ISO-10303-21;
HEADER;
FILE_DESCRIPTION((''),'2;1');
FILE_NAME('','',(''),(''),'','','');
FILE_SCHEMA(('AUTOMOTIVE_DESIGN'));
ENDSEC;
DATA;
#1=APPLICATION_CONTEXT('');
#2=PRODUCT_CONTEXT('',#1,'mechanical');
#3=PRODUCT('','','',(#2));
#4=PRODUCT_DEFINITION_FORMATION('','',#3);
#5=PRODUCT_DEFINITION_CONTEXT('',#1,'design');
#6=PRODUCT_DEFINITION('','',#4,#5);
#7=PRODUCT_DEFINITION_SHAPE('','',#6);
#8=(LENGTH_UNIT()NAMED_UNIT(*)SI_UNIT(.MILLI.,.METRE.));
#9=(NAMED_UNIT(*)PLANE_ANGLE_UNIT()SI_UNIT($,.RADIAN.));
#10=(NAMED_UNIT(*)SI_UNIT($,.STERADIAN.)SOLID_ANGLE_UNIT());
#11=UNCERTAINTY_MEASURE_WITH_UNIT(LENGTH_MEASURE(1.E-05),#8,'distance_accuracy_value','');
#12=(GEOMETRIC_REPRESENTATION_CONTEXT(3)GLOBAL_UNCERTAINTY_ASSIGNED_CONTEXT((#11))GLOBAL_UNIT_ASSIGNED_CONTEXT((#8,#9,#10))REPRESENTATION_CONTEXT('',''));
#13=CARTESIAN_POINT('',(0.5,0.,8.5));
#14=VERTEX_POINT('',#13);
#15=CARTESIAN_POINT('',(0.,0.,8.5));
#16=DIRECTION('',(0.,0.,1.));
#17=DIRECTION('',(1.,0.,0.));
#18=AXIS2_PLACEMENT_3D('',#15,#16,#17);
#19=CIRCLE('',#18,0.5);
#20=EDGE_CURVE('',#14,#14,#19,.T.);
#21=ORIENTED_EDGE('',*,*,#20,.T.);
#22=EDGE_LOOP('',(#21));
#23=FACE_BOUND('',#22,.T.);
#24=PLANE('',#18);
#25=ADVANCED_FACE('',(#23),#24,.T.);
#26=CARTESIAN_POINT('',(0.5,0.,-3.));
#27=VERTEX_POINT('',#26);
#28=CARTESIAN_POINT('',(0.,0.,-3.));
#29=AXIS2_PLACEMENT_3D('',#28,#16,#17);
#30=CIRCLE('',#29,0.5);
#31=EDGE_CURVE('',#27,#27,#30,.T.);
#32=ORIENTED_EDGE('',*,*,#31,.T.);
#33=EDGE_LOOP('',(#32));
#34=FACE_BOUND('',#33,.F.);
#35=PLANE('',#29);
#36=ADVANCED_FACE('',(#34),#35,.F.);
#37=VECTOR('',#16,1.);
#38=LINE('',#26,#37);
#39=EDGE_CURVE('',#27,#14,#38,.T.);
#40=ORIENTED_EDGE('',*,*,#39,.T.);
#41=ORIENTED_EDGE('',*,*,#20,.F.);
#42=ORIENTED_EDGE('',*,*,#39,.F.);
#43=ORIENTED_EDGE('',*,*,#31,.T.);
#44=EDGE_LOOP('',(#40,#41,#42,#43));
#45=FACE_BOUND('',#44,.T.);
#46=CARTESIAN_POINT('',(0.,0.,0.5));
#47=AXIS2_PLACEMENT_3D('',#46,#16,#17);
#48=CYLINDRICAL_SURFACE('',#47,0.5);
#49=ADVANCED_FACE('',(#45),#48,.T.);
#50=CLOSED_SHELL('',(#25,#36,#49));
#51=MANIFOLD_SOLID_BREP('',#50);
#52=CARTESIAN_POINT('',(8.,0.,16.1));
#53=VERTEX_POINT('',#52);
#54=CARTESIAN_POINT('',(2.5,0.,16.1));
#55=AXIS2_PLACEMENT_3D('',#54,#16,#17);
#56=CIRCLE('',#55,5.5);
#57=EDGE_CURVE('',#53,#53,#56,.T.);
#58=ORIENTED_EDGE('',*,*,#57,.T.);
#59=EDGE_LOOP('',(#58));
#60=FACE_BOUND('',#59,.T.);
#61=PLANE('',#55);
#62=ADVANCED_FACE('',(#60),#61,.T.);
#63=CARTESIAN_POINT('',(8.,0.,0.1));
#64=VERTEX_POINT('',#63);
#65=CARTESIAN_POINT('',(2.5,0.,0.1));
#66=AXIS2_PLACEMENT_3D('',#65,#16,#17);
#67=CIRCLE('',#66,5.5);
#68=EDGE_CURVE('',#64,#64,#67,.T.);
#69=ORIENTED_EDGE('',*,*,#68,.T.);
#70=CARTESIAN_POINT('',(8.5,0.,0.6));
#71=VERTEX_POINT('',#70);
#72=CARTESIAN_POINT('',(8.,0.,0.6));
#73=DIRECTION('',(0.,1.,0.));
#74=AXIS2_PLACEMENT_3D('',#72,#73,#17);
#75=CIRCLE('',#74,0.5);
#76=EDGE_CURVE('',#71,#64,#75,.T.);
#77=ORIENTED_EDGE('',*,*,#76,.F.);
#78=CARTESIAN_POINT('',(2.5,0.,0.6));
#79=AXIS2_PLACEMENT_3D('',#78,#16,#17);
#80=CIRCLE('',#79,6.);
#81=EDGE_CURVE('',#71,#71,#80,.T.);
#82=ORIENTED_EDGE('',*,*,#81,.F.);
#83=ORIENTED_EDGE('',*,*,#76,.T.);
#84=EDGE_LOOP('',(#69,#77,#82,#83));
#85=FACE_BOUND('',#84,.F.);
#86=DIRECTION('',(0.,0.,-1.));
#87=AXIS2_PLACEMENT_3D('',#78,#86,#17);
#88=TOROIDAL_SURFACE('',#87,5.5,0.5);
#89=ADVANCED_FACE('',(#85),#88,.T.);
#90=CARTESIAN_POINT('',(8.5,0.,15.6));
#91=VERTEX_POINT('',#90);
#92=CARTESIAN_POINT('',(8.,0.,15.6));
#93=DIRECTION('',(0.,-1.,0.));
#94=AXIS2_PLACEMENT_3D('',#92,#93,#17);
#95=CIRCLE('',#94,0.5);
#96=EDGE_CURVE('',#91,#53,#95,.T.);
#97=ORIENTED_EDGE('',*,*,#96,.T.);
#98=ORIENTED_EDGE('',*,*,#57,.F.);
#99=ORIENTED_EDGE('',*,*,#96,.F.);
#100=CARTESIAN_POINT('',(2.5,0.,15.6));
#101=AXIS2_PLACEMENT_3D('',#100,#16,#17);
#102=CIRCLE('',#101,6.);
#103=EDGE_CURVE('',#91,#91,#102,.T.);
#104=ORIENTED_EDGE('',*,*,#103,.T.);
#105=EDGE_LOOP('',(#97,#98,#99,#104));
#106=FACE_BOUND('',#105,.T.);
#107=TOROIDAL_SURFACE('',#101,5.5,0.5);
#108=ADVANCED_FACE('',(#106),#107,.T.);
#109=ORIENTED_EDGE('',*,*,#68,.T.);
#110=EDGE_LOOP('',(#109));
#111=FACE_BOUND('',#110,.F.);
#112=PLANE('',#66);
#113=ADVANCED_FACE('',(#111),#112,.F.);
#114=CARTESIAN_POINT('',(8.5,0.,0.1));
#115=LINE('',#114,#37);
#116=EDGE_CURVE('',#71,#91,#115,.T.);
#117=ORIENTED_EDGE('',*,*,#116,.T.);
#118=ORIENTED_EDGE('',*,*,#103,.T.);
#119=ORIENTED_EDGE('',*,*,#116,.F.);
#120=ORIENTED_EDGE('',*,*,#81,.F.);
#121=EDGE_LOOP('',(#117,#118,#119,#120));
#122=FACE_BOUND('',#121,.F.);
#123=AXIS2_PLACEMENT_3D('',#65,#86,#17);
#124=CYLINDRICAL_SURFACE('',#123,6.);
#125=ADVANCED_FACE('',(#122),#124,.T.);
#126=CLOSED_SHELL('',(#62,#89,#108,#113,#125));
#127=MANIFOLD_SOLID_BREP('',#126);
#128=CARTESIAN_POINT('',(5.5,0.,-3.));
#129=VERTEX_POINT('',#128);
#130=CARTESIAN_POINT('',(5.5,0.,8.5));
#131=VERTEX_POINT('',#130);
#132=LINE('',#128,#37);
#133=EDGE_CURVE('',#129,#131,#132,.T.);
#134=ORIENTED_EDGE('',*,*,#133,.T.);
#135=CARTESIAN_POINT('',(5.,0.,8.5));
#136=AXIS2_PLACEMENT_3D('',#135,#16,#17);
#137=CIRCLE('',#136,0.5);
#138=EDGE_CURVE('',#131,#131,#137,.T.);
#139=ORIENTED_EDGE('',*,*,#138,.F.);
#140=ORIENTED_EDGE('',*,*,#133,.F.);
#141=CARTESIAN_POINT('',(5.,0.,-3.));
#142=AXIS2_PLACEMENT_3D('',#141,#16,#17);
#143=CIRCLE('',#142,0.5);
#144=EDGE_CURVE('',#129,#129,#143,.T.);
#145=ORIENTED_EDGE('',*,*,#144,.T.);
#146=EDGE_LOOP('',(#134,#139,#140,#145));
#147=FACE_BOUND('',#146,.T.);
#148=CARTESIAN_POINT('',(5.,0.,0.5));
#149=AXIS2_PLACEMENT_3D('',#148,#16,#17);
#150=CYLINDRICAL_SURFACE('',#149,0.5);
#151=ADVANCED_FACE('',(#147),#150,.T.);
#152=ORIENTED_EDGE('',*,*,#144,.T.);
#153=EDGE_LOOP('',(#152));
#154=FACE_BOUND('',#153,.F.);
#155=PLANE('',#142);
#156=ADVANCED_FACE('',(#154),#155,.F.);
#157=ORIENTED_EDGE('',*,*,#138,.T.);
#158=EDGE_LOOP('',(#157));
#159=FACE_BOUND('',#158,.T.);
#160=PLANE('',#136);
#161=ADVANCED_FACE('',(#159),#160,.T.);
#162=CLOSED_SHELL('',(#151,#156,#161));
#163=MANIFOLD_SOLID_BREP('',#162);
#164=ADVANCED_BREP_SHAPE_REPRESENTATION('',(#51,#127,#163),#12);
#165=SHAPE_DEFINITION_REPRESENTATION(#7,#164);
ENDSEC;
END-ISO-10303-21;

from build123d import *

# Parameters (mm, degrees)
SKETCH001_R       = 0.5
PAD001_DEPTH      = 8
PAD001_DEPTH_BACK = 3.5
SKETCH_R          = 6
PAD_DEPTH         = 16
FILLET_R          = 0.5


with BuildPart() as pad001:
    # Sketch001 → Pad001 (new body, two sides)
    with BuildSketch(Plane.XY.offset(0.5)) as pad001_sk:
        Circle(SKETCH001_R)
        with Locations((5, 0)):
            Circle(SKETCH001_R)
    extrude(amount=PAD001_DEPTH)
    extrude(pad001_sk.sketch, amount=-PAD001_DEPTH_BACK)


with BuildPart() as fillet_body:
    # Sketch → Pad (new body)
    with BuildSketch(Plane.XY.offset(0.1)):
        with Locations((2.5, 0)):
            Circle(SKETCH_R)
    extrude(amount=PAD_DEPTH)

    # Fillet
    fillet_edges = [fillet_body.edges().sort_by_distance(p)[0] for p in [
        (-3.5, 0, 0.1),
        (-3.5, 0, 16.1),
    ]]
    fillet(fillet_edges, radius=FILLET_R)


solid = Compound([pad001.part, fillet_body.part])
